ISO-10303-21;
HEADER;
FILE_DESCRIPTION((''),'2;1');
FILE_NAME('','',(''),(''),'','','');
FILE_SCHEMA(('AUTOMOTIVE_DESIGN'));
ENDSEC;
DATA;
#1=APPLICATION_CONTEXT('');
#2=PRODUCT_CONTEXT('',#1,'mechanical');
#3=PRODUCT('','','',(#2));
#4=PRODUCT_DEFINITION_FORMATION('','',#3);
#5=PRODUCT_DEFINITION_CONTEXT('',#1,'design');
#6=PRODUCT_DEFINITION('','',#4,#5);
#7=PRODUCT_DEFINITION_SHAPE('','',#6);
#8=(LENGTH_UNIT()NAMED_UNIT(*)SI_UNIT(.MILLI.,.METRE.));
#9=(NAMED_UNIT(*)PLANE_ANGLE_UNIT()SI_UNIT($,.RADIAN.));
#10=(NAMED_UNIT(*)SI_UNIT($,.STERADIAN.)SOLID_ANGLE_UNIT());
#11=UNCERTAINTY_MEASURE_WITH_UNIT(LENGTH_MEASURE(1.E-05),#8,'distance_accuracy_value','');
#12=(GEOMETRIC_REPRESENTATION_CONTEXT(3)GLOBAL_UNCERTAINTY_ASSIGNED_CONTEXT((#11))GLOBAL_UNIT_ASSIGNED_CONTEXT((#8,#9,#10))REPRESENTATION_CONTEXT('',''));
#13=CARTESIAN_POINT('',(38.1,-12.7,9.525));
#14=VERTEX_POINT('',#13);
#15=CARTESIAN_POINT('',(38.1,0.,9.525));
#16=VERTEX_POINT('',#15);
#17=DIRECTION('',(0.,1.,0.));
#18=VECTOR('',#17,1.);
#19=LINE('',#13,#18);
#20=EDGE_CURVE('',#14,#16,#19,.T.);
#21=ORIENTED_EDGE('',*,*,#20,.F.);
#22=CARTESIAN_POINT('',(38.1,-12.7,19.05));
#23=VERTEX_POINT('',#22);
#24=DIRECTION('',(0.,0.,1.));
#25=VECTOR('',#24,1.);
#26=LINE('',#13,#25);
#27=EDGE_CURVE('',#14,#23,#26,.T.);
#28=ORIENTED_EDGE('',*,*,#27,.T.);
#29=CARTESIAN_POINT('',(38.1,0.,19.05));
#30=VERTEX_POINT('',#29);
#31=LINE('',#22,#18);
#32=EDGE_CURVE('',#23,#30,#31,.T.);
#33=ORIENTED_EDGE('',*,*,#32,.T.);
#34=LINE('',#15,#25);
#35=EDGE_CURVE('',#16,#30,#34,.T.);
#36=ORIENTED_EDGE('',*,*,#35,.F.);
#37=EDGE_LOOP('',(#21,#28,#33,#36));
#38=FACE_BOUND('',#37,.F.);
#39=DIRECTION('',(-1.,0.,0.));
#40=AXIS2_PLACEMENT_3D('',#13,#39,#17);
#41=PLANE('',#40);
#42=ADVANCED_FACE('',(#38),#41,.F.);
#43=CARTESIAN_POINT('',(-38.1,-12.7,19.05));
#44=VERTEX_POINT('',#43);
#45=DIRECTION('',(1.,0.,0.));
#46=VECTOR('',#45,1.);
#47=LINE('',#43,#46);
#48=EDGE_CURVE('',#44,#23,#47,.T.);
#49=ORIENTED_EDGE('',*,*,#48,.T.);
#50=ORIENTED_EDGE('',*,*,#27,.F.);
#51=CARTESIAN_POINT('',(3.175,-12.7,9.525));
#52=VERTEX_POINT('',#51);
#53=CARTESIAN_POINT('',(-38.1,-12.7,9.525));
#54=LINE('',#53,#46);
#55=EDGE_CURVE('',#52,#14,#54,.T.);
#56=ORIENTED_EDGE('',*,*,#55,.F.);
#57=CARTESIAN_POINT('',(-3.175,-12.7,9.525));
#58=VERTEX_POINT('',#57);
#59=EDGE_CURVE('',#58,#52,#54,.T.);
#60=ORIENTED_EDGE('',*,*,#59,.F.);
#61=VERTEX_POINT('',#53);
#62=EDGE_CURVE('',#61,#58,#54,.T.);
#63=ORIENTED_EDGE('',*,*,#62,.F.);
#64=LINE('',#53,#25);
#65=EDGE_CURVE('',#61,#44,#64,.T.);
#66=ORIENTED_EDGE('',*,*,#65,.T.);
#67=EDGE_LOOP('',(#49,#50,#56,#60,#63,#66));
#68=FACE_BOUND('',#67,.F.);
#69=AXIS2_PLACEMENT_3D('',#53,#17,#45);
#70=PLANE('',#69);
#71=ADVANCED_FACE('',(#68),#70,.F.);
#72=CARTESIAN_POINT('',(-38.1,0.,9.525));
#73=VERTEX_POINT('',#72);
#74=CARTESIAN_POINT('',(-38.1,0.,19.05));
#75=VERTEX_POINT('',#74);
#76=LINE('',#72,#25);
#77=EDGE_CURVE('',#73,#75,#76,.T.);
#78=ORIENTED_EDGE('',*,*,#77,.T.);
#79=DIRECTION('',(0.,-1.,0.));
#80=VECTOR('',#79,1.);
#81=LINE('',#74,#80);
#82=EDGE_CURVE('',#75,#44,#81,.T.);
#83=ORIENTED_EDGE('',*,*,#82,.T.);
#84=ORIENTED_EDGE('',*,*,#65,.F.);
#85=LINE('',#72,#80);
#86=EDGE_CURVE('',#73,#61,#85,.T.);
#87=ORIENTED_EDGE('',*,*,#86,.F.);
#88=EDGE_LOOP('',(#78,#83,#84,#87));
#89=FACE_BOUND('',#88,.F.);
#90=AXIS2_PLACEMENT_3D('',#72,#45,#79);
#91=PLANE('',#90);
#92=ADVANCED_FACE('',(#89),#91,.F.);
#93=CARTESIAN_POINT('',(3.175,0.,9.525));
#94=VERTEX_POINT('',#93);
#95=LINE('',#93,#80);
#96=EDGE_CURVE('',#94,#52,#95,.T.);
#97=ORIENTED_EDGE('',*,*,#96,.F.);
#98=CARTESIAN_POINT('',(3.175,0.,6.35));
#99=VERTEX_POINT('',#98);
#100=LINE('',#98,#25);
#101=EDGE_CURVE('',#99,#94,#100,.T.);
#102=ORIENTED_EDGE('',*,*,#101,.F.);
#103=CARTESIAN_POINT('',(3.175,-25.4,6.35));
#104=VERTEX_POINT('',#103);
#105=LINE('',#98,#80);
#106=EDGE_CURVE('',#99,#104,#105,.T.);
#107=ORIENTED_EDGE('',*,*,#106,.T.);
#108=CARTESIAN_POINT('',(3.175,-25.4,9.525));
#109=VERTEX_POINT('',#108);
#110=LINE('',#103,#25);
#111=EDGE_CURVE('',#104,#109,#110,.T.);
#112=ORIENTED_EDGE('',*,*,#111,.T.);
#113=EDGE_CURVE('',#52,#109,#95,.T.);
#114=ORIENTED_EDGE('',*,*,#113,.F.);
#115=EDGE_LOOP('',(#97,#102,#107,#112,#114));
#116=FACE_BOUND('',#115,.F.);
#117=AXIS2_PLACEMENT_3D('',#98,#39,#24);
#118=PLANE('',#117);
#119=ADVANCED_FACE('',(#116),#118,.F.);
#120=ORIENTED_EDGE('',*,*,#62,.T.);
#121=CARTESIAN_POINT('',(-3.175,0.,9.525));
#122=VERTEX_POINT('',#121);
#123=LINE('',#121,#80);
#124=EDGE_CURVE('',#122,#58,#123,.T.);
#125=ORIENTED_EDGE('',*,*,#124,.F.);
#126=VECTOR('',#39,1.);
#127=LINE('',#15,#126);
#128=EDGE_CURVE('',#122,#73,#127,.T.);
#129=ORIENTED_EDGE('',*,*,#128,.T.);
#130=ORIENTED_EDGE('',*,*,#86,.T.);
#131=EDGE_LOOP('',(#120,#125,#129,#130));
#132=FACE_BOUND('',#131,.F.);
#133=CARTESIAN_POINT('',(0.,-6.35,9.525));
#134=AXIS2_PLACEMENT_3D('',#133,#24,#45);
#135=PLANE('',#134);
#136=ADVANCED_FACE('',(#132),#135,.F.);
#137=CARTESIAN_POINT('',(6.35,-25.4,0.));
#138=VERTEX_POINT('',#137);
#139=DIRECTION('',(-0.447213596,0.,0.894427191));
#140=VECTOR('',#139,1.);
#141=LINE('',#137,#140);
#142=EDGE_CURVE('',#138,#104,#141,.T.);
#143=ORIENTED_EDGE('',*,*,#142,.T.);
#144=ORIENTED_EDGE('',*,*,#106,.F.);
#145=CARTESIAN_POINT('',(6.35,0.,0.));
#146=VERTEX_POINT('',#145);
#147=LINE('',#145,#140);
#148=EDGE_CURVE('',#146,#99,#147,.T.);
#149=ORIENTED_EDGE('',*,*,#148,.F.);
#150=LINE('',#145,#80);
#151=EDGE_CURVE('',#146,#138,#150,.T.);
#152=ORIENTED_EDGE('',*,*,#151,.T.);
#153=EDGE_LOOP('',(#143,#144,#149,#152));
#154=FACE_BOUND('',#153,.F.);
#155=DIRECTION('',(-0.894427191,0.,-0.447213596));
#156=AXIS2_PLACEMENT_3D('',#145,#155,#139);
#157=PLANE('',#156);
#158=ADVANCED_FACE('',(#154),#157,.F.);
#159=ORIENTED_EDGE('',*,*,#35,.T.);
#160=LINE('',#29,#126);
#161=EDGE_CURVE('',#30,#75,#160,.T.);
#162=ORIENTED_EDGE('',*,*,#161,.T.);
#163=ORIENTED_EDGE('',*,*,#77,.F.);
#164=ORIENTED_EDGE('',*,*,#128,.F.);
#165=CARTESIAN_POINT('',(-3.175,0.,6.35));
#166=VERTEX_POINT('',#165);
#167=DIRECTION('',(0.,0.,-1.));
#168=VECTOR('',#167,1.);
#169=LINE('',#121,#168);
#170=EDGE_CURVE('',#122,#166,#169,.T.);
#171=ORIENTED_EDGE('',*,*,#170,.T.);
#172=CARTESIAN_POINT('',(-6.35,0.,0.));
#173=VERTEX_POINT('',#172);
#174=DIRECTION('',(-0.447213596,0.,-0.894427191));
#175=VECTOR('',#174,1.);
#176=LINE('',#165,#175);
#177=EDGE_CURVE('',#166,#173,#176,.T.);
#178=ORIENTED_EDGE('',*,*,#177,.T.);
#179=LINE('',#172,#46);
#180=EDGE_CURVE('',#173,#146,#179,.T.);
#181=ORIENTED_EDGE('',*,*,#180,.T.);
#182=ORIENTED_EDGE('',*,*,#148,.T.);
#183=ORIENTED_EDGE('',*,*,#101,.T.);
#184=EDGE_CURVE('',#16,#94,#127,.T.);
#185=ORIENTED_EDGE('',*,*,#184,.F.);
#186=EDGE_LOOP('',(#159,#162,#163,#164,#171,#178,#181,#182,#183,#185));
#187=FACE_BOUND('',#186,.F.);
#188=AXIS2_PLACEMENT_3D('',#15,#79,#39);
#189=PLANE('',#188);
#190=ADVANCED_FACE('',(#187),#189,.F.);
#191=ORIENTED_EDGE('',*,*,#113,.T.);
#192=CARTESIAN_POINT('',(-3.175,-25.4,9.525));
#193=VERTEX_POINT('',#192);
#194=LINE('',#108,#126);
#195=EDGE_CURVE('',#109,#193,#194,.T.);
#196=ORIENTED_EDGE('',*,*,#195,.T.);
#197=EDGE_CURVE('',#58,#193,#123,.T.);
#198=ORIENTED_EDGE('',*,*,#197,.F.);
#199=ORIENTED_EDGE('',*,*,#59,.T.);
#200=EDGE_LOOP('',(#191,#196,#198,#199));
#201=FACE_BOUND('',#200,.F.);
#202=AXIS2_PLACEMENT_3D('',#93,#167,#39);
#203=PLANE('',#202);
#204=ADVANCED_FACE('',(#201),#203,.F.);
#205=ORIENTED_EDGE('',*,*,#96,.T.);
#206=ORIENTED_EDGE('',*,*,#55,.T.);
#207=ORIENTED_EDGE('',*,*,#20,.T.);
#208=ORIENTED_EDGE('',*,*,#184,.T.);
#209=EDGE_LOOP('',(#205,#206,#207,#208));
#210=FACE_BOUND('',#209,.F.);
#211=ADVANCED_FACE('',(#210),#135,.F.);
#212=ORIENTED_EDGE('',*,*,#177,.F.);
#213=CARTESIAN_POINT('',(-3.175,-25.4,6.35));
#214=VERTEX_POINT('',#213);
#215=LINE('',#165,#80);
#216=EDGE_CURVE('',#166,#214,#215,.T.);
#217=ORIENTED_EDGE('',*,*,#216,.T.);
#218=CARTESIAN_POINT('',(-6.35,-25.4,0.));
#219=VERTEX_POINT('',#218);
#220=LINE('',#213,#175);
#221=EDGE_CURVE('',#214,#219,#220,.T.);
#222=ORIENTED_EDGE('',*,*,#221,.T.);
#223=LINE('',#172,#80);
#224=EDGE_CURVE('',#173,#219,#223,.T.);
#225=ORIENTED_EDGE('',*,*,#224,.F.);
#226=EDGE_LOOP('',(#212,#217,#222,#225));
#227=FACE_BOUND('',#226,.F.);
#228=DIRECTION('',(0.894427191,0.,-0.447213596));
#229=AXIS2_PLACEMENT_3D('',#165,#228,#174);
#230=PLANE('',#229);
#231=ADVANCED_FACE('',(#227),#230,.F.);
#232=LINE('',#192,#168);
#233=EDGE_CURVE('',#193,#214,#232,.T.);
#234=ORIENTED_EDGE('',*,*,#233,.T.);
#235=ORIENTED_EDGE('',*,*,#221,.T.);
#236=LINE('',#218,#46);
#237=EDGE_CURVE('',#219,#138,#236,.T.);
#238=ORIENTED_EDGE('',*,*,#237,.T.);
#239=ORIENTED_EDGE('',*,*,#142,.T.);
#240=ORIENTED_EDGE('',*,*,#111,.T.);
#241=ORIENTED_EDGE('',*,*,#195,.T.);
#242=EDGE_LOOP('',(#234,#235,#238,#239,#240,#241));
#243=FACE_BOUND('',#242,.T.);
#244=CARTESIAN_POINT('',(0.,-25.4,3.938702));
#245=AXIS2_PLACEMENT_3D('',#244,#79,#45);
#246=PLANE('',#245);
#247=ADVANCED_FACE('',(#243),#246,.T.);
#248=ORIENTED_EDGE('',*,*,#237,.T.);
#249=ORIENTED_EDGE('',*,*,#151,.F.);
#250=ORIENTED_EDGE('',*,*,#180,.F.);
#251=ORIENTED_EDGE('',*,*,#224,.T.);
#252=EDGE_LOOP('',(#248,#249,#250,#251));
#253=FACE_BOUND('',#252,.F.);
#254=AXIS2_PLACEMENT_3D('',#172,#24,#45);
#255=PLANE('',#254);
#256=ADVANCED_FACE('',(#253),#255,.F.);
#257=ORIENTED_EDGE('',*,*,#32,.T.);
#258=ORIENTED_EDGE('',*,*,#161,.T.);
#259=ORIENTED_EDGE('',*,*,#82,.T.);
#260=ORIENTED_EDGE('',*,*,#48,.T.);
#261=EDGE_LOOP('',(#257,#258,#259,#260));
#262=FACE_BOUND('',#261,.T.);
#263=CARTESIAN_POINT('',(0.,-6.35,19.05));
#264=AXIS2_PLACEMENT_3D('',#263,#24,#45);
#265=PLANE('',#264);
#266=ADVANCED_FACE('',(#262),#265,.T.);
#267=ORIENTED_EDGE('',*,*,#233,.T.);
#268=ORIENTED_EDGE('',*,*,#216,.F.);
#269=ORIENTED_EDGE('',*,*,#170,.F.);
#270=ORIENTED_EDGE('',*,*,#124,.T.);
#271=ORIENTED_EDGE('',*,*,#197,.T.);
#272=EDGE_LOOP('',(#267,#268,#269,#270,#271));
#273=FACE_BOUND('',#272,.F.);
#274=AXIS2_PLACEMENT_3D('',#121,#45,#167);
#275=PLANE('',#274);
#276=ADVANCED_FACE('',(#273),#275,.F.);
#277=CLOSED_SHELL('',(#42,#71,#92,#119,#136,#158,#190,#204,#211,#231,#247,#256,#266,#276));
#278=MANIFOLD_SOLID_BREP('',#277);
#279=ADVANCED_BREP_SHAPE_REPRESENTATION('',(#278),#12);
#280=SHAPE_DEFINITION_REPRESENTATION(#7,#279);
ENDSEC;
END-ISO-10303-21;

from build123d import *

# Parameters (mm, degrees)
F1_DEPTH = 25.4
F3_DEPTH = 9.525


with BuildPart() as f1:
    # F0 (on Front) → F1 (new body)
    with BuildSketch(Plane.XZ):
        Polygon((-6.35, 0), (0, 0), (6.35, 0), (3.175, 6.35), (3.175, 9.525), (-3.175, 9.525), (-3.175, 6.35), align=None)
    extrude(amount=F1_DEPTH)

    # F2 (on face) → F3 (join)
    with BuildSketch(Plane.XY.offset(9.525)):
        Polygon((38.1, 0), (0, 0), (-38.1, 0), (-38.1, -12.7), (0, -12.7), (38.1, -12.7), align=None)
    extrude(amount=F3_DEPTH)


solid = f1.part
